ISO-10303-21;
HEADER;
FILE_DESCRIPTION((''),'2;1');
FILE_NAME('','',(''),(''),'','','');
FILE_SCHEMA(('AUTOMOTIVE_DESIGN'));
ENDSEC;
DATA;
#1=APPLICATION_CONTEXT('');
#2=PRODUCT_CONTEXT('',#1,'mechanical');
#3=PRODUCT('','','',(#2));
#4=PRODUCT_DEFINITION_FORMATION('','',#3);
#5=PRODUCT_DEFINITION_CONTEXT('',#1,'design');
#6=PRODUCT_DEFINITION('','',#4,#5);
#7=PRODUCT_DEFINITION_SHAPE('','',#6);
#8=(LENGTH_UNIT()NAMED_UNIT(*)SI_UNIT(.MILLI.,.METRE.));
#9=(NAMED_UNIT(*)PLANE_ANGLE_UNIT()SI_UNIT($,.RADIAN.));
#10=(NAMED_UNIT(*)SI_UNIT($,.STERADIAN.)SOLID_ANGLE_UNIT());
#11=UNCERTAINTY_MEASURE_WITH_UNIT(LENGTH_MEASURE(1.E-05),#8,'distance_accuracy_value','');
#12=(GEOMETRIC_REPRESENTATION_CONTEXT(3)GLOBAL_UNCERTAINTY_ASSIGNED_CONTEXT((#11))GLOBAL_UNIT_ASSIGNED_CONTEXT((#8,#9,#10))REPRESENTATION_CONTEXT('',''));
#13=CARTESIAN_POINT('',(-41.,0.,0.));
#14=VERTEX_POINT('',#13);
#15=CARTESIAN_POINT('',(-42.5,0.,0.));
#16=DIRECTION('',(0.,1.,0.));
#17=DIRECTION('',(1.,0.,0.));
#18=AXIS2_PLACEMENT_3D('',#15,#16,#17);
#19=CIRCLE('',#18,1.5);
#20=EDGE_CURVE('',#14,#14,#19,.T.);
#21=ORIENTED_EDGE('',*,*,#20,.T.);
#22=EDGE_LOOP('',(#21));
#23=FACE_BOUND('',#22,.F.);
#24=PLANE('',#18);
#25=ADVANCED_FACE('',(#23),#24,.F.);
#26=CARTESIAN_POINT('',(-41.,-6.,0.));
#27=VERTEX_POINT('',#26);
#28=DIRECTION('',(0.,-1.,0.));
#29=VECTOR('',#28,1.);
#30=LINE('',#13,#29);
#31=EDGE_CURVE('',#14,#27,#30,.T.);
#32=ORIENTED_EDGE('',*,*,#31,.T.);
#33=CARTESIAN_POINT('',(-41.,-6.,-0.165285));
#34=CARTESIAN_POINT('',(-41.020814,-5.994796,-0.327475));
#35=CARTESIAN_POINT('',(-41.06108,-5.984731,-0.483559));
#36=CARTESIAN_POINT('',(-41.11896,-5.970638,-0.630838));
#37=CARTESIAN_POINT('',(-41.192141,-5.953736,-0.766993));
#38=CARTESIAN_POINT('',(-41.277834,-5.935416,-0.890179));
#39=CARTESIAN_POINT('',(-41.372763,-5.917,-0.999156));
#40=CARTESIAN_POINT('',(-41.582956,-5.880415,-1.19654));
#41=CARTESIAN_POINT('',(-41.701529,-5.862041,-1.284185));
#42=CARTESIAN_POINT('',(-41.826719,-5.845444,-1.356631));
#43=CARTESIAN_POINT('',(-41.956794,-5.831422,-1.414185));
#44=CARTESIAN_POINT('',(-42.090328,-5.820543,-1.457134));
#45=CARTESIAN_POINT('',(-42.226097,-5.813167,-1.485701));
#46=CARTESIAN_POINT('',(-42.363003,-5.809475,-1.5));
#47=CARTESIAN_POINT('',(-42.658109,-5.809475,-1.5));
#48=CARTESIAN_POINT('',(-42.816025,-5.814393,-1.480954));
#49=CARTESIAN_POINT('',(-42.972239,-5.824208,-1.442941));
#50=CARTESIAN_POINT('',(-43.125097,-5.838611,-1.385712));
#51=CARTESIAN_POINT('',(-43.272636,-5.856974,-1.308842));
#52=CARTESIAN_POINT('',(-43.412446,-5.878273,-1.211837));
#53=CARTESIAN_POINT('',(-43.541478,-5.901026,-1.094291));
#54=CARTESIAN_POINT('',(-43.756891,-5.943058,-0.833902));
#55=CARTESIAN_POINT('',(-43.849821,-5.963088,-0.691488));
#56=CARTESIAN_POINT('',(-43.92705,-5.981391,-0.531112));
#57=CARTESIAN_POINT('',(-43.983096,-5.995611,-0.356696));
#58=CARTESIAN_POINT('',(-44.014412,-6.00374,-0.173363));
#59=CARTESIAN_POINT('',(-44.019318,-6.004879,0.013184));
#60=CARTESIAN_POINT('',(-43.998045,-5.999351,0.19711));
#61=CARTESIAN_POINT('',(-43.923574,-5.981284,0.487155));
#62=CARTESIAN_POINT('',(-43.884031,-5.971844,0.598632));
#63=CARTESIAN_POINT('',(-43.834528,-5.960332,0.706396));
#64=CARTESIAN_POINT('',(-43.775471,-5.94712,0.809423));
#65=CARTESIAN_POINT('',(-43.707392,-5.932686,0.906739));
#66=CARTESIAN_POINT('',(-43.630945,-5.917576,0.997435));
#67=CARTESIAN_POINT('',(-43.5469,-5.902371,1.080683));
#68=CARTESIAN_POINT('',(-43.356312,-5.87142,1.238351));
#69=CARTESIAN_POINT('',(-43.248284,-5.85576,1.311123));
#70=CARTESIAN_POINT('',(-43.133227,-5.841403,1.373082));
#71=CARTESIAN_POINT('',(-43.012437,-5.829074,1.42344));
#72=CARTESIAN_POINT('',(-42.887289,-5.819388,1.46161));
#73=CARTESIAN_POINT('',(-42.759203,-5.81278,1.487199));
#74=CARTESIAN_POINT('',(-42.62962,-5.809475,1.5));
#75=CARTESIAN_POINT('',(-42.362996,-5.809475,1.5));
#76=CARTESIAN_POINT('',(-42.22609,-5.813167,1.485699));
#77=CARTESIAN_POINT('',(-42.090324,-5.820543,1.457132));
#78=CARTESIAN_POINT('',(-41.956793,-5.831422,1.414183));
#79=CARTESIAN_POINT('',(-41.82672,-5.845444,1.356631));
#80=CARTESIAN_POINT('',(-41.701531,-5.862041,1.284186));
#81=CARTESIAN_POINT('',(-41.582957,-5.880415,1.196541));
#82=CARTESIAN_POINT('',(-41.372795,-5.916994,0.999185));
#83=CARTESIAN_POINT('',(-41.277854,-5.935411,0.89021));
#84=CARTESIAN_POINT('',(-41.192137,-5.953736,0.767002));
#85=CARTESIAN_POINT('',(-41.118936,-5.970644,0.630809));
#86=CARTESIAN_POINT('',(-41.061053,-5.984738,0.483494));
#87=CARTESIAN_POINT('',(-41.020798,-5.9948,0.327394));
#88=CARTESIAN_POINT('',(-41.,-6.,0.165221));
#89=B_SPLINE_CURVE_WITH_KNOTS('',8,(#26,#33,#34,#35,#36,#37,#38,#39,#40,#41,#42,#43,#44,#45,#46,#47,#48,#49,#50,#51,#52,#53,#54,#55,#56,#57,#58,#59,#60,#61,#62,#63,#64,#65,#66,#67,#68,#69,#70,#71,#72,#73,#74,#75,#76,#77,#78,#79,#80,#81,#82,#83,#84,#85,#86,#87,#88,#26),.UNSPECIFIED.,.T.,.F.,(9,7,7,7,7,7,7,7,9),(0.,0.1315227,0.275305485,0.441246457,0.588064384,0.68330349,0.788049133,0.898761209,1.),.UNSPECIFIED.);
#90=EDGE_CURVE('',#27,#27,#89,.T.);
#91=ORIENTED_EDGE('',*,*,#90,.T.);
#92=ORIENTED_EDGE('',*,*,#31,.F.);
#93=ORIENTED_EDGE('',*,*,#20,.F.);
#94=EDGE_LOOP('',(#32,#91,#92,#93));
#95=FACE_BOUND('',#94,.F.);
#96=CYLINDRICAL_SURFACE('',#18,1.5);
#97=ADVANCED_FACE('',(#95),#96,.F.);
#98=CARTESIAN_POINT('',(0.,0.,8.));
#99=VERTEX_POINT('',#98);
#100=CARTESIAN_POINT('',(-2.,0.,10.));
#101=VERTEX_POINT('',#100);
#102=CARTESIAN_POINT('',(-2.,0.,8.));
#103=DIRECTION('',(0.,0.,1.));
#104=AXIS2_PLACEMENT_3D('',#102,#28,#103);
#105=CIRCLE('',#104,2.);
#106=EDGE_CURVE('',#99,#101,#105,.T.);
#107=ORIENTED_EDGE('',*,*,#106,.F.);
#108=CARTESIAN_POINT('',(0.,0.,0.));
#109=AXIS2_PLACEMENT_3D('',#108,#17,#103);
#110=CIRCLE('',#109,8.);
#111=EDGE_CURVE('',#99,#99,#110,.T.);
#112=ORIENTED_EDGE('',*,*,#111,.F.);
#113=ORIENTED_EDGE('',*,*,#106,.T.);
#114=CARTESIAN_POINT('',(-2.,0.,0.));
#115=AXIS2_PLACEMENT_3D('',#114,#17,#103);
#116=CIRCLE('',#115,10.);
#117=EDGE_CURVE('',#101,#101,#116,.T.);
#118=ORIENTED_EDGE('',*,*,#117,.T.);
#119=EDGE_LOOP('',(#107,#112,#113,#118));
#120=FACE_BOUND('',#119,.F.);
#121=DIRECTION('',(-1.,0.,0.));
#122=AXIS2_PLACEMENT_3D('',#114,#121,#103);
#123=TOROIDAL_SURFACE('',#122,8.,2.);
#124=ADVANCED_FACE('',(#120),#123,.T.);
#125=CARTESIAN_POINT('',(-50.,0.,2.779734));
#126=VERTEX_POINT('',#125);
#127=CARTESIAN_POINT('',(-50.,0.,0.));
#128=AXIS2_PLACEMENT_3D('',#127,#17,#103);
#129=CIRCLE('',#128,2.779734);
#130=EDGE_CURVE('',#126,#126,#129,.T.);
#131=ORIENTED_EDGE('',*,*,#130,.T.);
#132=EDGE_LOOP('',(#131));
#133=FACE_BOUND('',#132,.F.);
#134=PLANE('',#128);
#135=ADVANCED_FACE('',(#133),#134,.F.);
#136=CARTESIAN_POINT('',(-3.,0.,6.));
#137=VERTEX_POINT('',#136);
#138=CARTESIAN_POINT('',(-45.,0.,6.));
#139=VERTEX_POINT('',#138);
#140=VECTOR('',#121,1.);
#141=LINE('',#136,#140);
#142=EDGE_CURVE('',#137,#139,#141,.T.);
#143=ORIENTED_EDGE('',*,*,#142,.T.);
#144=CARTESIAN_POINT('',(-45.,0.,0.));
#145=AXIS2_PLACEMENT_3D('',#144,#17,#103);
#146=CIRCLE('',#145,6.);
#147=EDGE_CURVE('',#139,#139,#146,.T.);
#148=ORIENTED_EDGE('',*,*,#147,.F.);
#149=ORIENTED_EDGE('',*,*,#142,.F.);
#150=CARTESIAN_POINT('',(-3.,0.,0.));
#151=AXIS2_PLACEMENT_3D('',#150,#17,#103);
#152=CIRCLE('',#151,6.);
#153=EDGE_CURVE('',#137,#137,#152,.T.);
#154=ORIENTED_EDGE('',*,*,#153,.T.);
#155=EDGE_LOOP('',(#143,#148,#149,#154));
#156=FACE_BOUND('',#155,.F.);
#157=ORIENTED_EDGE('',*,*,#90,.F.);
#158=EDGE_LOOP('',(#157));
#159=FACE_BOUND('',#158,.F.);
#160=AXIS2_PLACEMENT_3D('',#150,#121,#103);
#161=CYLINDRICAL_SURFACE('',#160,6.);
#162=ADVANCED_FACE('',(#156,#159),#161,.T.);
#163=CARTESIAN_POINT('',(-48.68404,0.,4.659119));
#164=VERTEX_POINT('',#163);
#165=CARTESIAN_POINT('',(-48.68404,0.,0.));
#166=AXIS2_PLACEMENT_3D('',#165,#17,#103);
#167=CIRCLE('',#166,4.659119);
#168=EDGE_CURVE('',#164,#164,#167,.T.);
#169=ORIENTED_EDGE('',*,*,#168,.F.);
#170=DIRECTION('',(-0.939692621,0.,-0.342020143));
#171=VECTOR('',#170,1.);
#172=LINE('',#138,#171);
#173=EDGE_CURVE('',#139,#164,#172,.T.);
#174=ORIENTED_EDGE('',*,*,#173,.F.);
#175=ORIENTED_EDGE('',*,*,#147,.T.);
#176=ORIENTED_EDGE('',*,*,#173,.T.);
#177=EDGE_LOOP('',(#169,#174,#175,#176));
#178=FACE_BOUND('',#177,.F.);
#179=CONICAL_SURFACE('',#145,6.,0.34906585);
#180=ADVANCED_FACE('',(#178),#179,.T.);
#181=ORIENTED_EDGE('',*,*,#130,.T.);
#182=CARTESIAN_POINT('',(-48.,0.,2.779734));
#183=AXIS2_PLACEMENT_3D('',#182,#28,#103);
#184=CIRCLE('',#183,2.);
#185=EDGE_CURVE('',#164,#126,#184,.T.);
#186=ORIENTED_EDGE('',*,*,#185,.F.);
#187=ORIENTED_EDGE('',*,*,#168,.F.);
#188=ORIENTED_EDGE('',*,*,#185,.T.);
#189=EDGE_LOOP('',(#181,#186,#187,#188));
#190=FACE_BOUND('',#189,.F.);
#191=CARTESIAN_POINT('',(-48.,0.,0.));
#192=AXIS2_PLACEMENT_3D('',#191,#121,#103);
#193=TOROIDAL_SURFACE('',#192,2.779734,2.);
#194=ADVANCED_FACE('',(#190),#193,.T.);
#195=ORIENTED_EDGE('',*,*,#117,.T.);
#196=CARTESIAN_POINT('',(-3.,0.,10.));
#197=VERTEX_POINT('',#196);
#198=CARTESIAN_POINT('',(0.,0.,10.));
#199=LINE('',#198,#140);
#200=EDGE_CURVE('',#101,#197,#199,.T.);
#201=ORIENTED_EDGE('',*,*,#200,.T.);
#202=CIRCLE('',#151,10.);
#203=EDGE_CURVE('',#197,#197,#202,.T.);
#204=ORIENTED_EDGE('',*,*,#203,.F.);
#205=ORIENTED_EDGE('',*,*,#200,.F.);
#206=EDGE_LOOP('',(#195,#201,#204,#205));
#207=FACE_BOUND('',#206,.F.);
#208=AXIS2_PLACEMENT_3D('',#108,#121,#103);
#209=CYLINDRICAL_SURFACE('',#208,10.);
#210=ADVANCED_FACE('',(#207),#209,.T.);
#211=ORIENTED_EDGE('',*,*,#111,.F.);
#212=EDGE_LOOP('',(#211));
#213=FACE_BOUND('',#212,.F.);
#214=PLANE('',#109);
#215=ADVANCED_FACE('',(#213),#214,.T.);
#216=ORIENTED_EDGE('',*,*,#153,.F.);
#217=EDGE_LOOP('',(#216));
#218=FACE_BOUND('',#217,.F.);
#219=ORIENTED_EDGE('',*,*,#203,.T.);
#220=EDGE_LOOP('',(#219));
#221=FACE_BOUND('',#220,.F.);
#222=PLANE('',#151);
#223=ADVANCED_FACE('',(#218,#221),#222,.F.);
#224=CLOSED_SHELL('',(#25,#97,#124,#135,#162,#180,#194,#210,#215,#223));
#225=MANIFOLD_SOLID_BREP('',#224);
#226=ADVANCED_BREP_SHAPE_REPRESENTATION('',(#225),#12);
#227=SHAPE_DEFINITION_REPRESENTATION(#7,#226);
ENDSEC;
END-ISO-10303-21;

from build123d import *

# Parameters (mm, degrees)
F2_R     = 2
F3_SIZE2 = 1.8198511713
F3_SIZE  = 5
F4_R     = 2
F5_D     = 3
F5_DEPTH = 10.0010001


with BuildPart() as f1:
    # F0 (on Front) → F1 (revolve)
    with BuildSketch(Plane.XZ):
        Polygon((-50, 0), (0, 0), (0, 10), (-3, 10), (-3, 6), (-50, 6), align=None)
    revolve(axis=Axis((-25, 0, 0), (1, 0, 0)))

    # F2
    f2_edges = [f1.edges().sort_by_distance(p)[0] for p in [
        (0, 0, -10),
    ]]
    fillet(f2_edges, radius=F2_R)

    # F3
    f3_edges = [f1.edges().sort_by_distance(p)[0] for p in [
        (-50, 0, -6),
    ]]
    chamfer(f3_edges, length=F3_SIZE, length2=F3_SIZE2)

    # F4
    f4_edges = [f1.edges().sort_by_distance(p)[0] for p in [
        (-50, 0, -4.180149),
    ]]
    fillet(f4_edges, radius=F4_R)

    # F5 (through all, one way)
    with BuildSketch(Plane(origin=(0, 0, 0), x_dir=(1, 0, 0), z_dir=(0, 1, 0))):
        with Locations((-42.5, 0)):
            Circle(F5_D / 2)
    extrude(amount=-F5_DEPTH, mode=Mode.SUBTRACT)


solid = f1.part
